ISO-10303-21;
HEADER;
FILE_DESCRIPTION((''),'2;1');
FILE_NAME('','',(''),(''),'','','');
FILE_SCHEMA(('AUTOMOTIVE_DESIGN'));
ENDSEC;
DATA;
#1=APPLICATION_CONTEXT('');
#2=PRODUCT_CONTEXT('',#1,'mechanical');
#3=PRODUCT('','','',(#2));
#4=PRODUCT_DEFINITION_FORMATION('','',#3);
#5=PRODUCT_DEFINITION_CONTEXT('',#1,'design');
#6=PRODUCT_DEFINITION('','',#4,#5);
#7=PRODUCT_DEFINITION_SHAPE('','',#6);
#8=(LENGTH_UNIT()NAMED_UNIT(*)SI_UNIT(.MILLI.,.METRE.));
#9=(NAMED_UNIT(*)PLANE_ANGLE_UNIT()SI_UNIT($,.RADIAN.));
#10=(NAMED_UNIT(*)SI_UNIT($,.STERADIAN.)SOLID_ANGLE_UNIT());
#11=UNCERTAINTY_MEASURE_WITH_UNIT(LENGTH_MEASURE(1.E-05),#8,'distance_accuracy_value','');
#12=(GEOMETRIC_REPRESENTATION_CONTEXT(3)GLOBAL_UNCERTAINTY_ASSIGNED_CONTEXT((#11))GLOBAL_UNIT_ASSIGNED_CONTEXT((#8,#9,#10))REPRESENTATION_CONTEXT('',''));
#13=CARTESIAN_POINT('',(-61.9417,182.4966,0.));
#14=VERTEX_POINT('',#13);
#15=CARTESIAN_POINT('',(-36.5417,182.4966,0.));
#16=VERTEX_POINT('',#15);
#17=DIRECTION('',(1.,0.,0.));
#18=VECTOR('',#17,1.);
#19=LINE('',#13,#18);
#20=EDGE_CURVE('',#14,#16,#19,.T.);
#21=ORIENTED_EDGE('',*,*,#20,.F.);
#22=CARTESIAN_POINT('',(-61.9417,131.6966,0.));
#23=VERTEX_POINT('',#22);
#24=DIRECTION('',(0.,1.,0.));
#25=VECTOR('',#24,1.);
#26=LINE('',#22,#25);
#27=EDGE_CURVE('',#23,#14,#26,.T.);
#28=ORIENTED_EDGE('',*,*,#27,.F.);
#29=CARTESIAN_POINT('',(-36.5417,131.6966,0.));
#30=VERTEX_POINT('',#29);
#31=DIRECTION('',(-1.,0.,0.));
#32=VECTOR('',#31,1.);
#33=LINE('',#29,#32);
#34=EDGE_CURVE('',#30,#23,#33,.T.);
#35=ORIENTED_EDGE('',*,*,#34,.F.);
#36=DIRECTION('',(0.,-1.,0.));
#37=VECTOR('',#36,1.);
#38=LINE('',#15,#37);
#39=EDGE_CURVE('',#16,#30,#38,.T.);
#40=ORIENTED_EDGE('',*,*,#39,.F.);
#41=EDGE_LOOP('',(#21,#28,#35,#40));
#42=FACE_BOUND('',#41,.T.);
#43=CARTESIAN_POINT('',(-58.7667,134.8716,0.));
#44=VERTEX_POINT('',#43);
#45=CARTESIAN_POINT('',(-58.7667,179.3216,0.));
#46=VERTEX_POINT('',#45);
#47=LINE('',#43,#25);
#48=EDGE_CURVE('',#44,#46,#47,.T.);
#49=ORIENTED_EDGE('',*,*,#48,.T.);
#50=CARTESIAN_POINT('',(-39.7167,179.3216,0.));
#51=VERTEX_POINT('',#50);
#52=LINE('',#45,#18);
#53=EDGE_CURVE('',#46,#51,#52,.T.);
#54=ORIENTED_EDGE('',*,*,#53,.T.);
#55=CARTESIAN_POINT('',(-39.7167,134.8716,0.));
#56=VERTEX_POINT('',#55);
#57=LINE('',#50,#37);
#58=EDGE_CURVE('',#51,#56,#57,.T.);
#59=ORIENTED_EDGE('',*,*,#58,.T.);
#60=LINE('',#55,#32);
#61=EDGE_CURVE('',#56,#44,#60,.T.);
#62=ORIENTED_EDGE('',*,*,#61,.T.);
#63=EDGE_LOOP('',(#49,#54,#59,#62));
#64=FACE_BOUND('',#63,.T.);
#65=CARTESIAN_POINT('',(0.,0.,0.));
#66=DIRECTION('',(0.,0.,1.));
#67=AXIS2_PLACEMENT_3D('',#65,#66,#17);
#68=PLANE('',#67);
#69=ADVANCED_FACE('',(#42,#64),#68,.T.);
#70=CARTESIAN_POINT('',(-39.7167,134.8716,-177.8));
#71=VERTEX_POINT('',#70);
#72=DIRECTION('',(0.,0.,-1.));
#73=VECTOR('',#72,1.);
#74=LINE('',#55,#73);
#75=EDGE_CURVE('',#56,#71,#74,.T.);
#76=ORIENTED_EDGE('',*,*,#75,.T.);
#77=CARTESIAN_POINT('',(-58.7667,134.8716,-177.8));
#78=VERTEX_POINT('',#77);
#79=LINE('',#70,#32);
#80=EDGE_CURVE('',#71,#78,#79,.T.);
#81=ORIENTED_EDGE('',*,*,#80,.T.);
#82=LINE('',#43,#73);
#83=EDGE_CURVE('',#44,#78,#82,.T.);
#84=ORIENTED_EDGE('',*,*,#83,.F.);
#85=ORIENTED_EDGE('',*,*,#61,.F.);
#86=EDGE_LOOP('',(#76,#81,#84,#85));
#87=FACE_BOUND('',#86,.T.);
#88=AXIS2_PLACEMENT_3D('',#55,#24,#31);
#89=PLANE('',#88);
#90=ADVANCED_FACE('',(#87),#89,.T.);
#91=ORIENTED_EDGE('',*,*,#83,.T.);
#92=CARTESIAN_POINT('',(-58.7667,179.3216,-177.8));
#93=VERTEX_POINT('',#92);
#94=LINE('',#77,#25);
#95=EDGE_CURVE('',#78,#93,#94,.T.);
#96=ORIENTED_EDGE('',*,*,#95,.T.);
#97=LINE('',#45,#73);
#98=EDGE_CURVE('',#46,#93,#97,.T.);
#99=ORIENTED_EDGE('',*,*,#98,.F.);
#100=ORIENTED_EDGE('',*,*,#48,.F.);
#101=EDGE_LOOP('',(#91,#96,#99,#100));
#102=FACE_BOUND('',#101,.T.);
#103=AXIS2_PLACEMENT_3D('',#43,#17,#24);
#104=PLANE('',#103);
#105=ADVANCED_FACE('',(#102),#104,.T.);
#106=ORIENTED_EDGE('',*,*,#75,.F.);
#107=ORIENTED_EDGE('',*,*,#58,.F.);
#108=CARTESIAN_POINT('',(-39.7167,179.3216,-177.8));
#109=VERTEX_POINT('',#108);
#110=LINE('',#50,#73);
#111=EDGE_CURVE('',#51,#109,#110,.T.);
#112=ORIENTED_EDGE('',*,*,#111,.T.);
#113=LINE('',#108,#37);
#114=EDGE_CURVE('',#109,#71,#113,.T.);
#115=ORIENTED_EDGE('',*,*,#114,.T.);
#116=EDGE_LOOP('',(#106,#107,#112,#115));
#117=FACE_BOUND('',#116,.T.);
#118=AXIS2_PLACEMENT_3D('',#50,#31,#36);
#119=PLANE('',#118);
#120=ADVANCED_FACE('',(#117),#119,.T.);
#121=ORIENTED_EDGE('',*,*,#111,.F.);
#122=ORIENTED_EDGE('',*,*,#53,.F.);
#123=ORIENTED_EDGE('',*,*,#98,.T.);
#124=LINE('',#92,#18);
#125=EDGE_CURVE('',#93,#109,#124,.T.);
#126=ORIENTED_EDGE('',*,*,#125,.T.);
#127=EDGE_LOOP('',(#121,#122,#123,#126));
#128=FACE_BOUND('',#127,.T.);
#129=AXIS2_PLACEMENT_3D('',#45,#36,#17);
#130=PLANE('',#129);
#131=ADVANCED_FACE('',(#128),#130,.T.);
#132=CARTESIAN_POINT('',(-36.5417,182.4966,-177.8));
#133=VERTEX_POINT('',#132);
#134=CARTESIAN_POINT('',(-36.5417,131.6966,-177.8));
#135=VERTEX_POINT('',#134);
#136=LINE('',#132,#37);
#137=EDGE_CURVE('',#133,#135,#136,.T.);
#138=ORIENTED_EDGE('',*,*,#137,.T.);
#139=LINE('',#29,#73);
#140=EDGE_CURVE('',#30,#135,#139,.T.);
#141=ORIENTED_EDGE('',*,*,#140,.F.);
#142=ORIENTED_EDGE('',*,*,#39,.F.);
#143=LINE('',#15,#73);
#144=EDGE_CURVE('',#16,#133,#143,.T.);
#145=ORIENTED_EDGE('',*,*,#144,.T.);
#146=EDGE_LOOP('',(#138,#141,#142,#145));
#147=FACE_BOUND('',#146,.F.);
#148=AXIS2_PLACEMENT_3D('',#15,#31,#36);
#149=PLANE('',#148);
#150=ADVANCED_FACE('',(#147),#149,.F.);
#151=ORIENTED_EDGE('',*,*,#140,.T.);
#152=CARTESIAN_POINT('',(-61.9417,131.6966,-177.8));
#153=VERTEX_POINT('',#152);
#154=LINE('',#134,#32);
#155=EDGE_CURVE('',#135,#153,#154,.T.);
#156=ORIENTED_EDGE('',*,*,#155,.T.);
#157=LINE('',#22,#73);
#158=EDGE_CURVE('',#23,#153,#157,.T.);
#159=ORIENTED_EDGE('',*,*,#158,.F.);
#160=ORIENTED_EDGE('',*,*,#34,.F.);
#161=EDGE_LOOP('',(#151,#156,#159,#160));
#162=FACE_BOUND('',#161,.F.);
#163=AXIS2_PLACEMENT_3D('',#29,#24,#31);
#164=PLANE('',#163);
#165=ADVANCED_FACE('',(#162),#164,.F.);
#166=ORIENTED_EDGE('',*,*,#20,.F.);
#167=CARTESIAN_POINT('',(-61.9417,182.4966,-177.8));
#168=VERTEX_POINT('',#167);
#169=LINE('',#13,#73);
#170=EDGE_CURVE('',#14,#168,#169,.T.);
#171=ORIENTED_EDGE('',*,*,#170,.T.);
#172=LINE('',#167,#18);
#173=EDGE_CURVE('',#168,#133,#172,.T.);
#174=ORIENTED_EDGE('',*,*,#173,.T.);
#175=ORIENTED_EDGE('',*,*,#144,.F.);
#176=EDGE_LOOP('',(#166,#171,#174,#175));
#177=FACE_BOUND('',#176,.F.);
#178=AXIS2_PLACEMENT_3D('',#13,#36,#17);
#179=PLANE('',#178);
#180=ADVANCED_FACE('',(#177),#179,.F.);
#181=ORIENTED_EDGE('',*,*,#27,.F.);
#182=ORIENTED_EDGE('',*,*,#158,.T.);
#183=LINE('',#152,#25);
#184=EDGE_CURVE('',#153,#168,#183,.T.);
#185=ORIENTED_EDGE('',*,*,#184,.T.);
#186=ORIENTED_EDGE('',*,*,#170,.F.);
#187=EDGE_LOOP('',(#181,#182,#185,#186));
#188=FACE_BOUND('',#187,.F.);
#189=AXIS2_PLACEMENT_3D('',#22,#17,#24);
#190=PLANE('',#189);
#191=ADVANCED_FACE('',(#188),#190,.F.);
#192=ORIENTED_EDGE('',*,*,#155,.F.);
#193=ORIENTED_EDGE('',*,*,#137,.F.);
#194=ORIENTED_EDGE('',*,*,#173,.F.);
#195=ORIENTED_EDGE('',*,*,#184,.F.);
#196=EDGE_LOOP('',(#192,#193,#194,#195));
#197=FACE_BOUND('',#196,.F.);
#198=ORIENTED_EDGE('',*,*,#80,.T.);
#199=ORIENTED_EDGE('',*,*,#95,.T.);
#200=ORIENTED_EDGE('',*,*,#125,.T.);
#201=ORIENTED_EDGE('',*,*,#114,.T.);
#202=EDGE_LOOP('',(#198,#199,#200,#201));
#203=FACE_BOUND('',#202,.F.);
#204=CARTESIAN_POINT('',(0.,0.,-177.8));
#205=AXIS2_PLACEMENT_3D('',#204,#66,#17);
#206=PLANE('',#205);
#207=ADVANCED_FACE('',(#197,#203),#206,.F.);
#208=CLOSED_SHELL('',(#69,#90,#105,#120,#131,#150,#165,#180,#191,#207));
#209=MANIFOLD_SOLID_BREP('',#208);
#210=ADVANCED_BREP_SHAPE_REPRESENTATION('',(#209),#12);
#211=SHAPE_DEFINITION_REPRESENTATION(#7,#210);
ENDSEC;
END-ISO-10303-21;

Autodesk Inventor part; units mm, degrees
ref_plane "YZ Plane" through (0, 0, 0) normal (1, 0, 0) x (0, 1, 0)
ref_plane "XZ Plane" through (0, 0, 0) normal (0, 1, 0) x (-1, 0, 0)
ref_plane "XY Plane" through (0, 0, 0) normal (0, 0, 1) x (1, 0, 0)
sketch "Sketch1" plane through (0, 0, 0) normal (0, 0, 1) x (1, 0, 0)
  line L0 (-61.9417, 182.4966) -> (-36.5417, 182.4966)
  line L1 (-36.5417, 182.4966) -> (-36.5417, 131.6966)
  line L2 (-36.5417, 131.6966) -> (-61.9417, 131.6966)
  line L3 (-61.9417, 131.6966) -> (-61.9417, 182.4966)
  line L4 (-58.7667, 179.3216) -> (-39.7167, 179.3216)
  line L5 (-39.7167, 179.3216) -> (-39.7167, 134.8716)
  line L6 (-39.7167, 134.8716) -> (-58.7667, 134.8716)
  line L7 (-58.7667, 134.8716) -> (-58.7667, 179.3216)
  point P0 (0, 0)
  dimension "d0" = 25.4
  dimension "d1" = 50.8
  dimension "d2" = 3.175
extrude "Extrusion1" add sketch "Sketch1" against normal blind 177.8
properties part number "Motor Mount 2"
